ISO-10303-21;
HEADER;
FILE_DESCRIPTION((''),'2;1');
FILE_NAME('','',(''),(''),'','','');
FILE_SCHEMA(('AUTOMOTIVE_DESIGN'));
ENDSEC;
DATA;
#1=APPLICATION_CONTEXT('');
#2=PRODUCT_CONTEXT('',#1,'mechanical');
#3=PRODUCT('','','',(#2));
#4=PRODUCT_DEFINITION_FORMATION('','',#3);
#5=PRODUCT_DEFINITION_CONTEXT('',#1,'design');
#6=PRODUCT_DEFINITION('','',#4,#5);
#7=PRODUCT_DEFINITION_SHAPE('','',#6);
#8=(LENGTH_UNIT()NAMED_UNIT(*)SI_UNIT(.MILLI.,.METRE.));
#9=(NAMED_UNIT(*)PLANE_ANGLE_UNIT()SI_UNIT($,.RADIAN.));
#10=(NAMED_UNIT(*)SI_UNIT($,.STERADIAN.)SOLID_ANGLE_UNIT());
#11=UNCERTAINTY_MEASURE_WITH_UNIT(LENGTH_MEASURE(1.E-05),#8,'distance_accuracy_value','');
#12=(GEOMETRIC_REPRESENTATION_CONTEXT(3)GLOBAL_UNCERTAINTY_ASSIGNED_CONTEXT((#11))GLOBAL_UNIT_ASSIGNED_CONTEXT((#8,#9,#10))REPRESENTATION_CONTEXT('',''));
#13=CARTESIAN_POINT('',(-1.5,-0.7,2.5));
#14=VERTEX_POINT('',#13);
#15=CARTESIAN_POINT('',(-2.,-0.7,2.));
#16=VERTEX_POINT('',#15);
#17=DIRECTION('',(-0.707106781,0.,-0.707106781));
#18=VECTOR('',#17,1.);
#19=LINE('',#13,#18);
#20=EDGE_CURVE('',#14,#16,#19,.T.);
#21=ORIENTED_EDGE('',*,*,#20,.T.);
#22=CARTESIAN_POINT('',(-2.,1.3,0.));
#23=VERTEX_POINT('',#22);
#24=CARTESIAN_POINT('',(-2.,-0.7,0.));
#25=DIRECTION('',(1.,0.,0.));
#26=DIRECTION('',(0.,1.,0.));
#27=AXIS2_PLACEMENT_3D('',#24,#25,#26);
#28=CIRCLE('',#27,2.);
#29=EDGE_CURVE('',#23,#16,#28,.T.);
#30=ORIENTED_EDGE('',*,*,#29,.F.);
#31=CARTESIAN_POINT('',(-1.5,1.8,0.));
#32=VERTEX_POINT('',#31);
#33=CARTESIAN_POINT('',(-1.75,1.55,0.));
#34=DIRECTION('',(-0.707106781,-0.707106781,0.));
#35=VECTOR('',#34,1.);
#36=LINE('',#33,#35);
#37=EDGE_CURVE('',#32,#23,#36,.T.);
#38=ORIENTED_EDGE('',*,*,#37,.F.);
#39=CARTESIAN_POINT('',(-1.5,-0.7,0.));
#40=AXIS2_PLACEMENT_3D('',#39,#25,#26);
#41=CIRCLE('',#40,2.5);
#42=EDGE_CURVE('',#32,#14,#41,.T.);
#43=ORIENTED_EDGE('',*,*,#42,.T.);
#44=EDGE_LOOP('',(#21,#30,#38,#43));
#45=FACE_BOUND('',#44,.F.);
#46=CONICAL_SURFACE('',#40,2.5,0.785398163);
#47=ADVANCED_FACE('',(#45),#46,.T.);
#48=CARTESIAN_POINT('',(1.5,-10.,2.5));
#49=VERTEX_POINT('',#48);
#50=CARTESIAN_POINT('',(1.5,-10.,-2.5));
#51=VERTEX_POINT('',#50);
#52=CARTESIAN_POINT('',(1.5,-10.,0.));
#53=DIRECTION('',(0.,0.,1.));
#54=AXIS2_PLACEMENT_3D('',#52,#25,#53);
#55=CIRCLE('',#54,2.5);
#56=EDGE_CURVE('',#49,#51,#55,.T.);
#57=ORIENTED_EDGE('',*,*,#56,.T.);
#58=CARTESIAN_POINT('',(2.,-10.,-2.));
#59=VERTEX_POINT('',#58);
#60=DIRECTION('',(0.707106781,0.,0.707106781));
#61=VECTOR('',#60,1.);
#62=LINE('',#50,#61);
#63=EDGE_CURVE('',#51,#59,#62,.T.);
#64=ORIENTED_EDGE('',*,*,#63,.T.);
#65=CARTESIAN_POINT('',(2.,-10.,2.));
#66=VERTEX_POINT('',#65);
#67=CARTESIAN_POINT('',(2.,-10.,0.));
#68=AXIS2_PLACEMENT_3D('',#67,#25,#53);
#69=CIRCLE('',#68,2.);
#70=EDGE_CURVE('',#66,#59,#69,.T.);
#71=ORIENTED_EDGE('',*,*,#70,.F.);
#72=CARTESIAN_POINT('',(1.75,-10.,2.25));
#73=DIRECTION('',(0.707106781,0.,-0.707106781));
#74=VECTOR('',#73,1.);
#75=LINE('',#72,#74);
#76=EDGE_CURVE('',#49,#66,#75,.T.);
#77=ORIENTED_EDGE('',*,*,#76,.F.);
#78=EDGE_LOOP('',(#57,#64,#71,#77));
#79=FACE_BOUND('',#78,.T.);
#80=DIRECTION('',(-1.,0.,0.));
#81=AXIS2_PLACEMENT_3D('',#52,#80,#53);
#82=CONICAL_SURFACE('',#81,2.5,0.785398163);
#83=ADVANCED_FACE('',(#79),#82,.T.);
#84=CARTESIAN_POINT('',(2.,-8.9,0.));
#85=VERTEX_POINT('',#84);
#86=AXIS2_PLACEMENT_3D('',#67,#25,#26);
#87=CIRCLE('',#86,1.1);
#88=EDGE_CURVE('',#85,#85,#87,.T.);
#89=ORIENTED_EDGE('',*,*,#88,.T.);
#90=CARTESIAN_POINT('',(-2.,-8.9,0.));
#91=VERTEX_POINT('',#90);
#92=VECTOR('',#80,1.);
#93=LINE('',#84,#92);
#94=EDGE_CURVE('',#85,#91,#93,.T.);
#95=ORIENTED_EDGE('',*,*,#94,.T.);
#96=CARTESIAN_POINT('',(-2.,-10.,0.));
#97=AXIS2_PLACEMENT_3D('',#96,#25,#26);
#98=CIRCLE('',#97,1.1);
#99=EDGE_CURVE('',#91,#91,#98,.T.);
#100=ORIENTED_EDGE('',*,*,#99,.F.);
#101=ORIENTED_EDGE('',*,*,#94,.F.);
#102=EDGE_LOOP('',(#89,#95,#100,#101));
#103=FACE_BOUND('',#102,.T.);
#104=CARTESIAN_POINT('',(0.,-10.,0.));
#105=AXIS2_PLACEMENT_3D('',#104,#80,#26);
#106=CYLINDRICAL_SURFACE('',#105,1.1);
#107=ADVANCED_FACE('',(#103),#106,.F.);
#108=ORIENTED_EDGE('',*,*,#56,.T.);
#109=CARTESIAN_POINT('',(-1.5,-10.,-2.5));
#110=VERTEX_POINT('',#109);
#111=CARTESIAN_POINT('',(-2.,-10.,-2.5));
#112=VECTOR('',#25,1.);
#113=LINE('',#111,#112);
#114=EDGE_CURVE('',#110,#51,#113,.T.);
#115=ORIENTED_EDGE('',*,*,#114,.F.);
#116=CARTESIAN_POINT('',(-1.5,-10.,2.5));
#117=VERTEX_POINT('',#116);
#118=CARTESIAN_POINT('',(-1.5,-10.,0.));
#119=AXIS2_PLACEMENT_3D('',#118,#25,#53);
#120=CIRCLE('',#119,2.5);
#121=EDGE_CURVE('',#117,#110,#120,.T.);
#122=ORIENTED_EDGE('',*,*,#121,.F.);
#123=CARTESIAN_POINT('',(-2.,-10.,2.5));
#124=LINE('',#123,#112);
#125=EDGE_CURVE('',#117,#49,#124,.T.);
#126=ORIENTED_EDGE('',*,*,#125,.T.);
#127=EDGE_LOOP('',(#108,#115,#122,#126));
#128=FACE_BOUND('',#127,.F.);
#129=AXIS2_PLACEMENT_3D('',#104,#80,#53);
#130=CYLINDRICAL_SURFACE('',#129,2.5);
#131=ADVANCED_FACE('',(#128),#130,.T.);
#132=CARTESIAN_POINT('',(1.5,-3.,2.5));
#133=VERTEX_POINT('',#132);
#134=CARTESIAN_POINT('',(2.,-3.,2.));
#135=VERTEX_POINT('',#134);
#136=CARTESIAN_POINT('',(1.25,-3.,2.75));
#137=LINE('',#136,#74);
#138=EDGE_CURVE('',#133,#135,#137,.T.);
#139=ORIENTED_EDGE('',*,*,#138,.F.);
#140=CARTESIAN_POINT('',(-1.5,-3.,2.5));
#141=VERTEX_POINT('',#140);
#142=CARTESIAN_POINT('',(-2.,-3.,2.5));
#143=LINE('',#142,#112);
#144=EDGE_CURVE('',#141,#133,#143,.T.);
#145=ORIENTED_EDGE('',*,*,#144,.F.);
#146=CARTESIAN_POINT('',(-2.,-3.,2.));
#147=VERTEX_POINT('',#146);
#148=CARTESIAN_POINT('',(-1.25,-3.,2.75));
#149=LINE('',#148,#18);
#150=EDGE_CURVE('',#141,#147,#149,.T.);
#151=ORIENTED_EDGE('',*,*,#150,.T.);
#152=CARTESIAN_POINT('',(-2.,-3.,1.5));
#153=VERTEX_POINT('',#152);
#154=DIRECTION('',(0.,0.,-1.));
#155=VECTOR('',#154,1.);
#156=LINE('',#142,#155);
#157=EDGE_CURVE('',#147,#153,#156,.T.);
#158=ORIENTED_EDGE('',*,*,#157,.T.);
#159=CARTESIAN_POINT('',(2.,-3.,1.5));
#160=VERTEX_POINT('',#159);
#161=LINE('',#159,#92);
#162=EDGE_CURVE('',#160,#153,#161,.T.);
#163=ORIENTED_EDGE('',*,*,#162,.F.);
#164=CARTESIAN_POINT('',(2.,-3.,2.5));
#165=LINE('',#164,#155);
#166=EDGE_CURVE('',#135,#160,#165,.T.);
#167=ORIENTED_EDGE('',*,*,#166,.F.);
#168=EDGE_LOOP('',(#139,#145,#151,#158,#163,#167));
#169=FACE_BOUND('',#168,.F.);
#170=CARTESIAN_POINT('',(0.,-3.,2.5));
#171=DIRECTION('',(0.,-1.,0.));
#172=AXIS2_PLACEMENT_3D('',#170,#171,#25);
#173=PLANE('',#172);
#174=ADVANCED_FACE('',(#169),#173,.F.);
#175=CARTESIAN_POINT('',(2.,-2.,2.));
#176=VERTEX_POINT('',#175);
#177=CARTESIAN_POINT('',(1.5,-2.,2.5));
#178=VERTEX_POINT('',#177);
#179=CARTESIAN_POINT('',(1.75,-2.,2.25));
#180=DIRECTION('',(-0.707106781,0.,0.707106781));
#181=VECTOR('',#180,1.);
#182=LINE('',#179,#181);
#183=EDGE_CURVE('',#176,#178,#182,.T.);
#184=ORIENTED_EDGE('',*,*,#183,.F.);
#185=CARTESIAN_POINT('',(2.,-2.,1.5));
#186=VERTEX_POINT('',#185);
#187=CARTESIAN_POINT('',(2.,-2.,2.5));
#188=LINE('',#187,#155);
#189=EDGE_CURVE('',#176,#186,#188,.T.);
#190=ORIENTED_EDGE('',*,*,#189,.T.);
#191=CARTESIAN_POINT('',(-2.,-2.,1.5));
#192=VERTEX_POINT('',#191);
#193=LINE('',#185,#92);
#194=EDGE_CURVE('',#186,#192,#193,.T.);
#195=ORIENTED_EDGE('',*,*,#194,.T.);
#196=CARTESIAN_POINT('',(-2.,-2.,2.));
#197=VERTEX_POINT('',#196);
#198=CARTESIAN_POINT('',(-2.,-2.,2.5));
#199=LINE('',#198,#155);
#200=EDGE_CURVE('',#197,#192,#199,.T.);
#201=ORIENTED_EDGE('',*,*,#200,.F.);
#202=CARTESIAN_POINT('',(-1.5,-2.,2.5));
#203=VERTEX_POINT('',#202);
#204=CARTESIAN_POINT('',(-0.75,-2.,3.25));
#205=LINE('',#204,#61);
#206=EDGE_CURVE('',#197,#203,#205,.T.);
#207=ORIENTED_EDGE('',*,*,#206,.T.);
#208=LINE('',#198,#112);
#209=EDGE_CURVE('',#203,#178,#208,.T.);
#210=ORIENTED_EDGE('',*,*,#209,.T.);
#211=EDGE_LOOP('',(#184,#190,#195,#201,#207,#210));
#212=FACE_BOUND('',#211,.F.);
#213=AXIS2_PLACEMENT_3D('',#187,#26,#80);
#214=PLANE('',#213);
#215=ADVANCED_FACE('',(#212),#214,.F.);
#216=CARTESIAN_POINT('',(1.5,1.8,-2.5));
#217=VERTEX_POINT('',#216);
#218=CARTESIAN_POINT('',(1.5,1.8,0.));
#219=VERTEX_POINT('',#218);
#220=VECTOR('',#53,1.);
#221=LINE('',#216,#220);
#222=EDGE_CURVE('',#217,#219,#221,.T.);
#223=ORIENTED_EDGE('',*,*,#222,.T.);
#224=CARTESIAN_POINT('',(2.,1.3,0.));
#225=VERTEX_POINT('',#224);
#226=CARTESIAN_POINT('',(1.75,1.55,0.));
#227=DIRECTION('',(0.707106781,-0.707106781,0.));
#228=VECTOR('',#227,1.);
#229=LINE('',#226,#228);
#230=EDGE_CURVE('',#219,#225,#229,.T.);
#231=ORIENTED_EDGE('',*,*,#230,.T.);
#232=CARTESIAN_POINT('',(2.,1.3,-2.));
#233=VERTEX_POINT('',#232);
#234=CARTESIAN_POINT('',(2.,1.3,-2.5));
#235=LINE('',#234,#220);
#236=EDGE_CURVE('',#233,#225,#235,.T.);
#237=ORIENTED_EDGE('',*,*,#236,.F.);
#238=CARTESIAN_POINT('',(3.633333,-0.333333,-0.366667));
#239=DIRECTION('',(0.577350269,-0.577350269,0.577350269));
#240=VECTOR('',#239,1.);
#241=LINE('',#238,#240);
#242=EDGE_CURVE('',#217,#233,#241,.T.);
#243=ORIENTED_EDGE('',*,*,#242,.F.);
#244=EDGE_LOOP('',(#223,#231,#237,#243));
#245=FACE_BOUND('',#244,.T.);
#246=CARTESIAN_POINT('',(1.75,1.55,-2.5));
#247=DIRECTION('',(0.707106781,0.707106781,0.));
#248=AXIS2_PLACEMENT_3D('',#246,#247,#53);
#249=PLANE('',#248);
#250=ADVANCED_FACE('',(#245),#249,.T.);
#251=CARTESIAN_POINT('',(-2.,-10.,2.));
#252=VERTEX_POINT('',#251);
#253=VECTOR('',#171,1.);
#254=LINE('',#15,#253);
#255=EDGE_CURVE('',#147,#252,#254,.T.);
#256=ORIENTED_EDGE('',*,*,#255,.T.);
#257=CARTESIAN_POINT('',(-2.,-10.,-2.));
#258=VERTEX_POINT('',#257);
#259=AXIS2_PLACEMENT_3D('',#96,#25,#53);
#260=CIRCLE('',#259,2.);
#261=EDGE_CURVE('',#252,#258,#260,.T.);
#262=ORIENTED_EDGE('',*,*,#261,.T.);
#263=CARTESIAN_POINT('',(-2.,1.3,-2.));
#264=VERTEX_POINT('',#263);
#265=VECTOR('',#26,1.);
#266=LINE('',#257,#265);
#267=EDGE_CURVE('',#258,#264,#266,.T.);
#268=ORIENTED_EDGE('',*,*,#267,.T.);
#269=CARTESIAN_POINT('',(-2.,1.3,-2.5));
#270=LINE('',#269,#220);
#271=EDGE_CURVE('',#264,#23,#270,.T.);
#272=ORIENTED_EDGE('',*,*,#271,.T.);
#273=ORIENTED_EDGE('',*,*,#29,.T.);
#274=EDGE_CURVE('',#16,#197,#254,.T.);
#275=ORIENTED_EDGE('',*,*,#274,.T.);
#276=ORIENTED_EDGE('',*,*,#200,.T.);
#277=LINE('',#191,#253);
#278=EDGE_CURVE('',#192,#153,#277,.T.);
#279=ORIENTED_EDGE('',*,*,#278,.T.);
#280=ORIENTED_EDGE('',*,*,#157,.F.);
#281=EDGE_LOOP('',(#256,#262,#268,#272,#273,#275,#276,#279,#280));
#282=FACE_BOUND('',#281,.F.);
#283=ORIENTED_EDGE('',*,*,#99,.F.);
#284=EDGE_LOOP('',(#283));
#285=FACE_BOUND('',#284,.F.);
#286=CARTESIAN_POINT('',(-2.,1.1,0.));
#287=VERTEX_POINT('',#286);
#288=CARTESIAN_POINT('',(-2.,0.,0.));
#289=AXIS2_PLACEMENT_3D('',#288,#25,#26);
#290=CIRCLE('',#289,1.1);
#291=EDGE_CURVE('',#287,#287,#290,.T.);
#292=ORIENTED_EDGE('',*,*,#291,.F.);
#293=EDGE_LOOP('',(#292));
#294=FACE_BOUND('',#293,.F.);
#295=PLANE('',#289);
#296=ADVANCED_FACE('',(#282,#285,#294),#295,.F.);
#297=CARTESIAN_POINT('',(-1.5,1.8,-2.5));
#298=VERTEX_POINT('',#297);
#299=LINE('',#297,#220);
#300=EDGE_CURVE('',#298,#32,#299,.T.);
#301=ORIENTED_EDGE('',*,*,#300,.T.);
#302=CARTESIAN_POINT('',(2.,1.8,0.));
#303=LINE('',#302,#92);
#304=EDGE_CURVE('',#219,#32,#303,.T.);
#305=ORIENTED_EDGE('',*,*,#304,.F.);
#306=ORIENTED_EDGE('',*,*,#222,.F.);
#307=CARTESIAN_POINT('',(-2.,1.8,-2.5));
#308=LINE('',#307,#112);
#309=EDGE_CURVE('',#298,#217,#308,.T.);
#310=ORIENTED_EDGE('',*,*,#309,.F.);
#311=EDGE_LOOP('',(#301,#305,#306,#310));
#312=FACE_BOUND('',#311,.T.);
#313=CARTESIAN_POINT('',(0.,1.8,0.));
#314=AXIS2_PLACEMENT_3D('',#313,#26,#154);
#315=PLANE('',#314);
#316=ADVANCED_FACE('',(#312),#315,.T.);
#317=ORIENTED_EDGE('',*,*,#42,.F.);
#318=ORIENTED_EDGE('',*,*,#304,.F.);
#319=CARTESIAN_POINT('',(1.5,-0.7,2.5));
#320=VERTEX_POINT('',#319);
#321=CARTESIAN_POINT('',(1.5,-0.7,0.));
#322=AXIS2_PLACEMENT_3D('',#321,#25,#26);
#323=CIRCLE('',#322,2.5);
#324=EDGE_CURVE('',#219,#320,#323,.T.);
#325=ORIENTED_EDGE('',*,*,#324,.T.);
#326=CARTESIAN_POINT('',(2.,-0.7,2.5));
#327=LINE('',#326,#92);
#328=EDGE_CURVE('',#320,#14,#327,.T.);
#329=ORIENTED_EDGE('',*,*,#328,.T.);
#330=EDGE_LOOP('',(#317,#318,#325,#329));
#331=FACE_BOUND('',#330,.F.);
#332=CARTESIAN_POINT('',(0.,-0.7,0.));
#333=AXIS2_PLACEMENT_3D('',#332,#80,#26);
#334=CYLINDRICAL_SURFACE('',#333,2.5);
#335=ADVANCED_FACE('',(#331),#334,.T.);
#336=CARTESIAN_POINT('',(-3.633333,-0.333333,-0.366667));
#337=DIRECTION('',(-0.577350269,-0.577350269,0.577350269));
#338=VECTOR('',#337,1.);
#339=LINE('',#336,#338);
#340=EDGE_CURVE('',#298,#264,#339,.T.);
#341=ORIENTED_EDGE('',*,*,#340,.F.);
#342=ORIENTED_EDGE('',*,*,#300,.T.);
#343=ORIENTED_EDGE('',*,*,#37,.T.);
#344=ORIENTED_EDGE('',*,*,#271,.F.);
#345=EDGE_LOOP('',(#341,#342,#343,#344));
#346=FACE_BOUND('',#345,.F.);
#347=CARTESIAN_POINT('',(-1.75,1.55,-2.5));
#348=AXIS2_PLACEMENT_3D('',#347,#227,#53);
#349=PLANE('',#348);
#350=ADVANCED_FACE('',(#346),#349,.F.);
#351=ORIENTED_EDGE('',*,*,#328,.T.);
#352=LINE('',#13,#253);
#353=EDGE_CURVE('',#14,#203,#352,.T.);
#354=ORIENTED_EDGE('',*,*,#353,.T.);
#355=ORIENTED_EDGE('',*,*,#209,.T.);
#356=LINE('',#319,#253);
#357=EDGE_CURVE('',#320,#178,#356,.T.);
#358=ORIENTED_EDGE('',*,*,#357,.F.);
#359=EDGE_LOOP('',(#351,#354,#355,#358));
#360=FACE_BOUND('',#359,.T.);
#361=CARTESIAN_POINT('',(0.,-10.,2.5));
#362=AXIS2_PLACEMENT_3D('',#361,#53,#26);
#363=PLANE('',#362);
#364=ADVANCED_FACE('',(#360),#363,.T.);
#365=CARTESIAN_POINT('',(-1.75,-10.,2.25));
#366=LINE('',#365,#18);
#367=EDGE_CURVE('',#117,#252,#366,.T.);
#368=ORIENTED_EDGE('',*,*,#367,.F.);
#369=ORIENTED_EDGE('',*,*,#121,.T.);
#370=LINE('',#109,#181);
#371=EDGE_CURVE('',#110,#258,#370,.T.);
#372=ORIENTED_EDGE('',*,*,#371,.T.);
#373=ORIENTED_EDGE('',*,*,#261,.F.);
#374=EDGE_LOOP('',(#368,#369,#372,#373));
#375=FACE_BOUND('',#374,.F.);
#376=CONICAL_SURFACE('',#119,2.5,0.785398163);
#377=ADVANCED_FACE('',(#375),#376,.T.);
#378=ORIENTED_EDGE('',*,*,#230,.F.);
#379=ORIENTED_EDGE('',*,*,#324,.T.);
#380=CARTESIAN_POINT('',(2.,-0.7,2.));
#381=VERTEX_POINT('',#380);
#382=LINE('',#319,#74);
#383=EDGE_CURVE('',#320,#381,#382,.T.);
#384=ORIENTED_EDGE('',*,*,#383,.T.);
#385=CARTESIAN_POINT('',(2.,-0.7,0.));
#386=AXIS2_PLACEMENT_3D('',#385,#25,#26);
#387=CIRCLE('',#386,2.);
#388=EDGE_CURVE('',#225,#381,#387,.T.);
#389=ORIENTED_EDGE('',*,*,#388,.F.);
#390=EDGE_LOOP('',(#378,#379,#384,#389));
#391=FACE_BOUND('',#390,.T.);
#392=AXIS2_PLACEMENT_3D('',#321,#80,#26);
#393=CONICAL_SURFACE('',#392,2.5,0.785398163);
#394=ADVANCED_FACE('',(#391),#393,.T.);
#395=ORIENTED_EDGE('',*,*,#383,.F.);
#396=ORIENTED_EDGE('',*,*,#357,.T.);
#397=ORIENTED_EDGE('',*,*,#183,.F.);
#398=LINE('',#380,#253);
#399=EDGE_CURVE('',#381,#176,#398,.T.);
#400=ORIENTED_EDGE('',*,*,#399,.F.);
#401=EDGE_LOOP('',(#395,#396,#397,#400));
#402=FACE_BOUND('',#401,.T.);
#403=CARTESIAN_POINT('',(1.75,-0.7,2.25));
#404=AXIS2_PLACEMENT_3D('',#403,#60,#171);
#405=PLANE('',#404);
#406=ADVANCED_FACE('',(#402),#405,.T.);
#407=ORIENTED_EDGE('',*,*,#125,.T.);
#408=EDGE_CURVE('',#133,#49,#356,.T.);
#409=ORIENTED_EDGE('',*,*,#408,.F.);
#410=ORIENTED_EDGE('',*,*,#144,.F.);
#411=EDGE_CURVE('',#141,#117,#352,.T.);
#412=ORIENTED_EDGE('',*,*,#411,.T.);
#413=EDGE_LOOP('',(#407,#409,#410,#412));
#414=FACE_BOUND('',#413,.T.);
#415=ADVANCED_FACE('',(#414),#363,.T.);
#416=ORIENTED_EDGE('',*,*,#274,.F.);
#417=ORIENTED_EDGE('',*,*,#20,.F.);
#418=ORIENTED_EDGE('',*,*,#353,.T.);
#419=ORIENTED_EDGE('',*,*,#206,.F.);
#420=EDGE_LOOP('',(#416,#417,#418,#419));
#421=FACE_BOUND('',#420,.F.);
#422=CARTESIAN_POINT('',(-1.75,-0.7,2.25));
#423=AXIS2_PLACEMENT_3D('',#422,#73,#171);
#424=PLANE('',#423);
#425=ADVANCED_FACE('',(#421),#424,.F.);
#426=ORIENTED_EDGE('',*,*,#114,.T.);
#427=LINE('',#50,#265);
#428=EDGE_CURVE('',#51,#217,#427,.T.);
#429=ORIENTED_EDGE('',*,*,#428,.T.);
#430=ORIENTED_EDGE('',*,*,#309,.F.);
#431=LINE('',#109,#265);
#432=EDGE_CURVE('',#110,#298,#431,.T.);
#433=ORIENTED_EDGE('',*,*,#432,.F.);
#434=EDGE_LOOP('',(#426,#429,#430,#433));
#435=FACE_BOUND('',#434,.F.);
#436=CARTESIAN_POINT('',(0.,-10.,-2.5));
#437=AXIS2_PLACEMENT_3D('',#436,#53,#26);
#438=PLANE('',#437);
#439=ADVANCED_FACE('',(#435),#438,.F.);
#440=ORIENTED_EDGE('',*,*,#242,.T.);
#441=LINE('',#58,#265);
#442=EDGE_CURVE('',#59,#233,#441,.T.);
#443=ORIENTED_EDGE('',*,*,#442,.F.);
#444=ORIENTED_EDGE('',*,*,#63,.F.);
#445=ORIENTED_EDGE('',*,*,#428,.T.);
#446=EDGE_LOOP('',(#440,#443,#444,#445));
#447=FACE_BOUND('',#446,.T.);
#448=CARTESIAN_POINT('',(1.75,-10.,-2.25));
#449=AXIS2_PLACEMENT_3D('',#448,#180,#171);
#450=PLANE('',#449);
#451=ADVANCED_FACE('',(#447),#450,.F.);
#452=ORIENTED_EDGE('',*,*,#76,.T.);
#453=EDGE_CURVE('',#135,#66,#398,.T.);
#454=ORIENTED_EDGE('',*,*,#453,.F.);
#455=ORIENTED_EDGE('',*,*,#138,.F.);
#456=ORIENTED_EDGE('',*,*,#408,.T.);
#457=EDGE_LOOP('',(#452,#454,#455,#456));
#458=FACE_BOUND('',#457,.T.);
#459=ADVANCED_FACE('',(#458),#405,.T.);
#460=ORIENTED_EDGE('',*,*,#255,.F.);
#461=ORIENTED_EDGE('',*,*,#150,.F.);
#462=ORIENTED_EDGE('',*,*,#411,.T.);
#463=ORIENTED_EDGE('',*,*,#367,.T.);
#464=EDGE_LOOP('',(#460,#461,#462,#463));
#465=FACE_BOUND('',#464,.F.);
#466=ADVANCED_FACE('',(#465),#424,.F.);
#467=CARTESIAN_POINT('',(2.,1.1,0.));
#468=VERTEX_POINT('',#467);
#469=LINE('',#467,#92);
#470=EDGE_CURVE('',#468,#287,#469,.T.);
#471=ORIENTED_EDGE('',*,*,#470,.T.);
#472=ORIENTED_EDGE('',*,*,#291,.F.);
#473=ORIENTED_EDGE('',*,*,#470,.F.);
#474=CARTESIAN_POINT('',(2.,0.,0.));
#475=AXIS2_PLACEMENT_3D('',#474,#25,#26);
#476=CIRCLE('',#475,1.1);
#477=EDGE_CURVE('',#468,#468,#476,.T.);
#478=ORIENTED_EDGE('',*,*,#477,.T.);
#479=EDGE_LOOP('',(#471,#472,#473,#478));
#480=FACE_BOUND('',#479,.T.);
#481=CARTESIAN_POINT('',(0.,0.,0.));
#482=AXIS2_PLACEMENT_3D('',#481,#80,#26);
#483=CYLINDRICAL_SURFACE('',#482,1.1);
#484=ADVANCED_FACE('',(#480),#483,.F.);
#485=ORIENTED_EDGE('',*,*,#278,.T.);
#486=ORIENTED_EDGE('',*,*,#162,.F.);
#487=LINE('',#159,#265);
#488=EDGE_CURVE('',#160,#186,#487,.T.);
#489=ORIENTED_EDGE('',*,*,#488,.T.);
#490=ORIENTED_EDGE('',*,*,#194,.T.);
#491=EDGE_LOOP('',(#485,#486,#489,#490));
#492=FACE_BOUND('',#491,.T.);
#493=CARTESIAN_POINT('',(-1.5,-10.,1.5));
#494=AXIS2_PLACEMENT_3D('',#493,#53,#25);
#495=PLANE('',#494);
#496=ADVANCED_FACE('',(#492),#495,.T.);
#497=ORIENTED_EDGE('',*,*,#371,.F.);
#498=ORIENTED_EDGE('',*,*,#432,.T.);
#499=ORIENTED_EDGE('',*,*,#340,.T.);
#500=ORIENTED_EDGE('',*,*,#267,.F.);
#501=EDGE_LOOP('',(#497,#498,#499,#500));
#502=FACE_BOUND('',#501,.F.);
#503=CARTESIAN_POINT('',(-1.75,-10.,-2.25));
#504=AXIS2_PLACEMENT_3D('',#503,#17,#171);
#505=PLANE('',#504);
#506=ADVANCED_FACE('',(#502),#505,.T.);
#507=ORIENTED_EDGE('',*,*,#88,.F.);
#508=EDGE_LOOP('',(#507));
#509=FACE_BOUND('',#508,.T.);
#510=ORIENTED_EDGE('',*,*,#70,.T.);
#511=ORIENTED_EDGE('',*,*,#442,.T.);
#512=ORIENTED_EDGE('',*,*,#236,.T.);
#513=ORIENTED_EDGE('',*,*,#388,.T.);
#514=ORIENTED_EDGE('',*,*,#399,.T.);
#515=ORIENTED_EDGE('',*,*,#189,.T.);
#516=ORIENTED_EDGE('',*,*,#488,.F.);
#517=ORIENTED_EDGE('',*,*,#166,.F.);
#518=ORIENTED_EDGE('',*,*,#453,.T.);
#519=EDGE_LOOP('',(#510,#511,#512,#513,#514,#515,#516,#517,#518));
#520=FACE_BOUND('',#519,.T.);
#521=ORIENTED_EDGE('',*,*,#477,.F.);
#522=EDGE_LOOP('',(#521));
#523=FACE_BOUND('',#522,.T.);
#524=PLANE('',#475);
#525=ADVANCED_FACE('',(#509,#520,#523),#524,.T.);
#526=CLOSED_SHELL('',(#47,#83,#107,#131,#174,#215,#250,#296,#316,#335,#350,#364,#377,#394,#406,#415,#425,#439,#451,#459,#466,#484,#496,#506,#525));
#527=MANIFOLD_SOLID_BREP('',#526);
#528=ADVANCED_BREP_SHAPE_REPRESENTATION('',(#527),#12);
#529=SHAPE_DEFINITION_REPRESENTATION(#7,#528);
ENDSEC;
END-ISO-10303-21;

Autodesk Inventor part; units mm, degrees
ref_plane "YZ Plane" through (0, 0, 0) normal (1, 0, 0) x (0, 1, 0)
ref_plane "XZ Plane" through (0, 0, 0) normal (0, 1, 0) x (-1, 0, 0)
ref_plane "XY Plane" through (0, 0, 0) normal (0, 0, 1) x (1, 0, 0)
sketch "Skizze1" plane through (0, 0, 0) normal (1, 0, 0) x (0, 1, 0)
  line L0 (0, 0) -> (-10, 0) construction
  circle A0 centre (0, 0) radius 1.1
  circle A1 centre (-10, 0) radius 1.1
  arc A2 (-10, 2.5) -> (-10, -2.5) centre (-10, 0) ccw
  line L1 (-10, -2.5) -> (1.8, -2.5)
  line L2 (-10, 2.5) -> (-0.7, 2.5)
  arc A3 (1.8, 0) -> (-0.7, 2.5) centre (-0.7, 0) ccw
  line L3 (1.8, 0) -> (1.8, -2.5)
  dimension "d0" = 10
  dimension "d1" = 2.2
  dimension "d2" = 2.2
  dimension "d3" = 2.5
  dimension "d8" = 2.5
  dimension "d9" = 1.8
extrude "Extrusion1" add sketch "Skizze1" along normal mid plane 4
chamfer "Fase1" distance 0.5 angle 45 10 edges at (2, 1.0678, 1.7678) (2, -5.35, 2.5) (2, -12.5, 0) (2, -4.1, -2.5) (2, 1.8, -1.25) (-2, 1.0678, 1.7678) (-2, -5.35, 2.5) (-2, -12.5, 0) (-2, -4.1, -2.5) (-2, 1.8, -1.25)
sketch "Skizze5" plane through (-1.5, -10, 2.5) normal (0, 0, 1) x (1, 0, 0)
  line L0 (1.5, 14.66) -> (1.5, -5.36) projected
  line L1 (-1.3, 10) -> (4.3, 10) projected
  line L2 (3.5, 8) -> (-0.5, 8)
  line L3 (-0.5, 8) -> (-0.5, 7)
  line L4 (-0.5, 7) -> (3.5, 7)
  line L5 (3.5, 7) -> (3.5, 8)
  line L6 (3.5, 0) -> (3.5, 9.3) projected
  line L7 (-0.5, 9.3) -> (-0.5, 0) projected
  point P0 (1.5, 10)
  dimension "d26" = 1
  dimension "d27" = 2
extrude "Extrusion4" cut sketch "Skizze5" against normal blind 1
equation "\"d2\" = d1"
properties part number "Chipanschlag TN1"
